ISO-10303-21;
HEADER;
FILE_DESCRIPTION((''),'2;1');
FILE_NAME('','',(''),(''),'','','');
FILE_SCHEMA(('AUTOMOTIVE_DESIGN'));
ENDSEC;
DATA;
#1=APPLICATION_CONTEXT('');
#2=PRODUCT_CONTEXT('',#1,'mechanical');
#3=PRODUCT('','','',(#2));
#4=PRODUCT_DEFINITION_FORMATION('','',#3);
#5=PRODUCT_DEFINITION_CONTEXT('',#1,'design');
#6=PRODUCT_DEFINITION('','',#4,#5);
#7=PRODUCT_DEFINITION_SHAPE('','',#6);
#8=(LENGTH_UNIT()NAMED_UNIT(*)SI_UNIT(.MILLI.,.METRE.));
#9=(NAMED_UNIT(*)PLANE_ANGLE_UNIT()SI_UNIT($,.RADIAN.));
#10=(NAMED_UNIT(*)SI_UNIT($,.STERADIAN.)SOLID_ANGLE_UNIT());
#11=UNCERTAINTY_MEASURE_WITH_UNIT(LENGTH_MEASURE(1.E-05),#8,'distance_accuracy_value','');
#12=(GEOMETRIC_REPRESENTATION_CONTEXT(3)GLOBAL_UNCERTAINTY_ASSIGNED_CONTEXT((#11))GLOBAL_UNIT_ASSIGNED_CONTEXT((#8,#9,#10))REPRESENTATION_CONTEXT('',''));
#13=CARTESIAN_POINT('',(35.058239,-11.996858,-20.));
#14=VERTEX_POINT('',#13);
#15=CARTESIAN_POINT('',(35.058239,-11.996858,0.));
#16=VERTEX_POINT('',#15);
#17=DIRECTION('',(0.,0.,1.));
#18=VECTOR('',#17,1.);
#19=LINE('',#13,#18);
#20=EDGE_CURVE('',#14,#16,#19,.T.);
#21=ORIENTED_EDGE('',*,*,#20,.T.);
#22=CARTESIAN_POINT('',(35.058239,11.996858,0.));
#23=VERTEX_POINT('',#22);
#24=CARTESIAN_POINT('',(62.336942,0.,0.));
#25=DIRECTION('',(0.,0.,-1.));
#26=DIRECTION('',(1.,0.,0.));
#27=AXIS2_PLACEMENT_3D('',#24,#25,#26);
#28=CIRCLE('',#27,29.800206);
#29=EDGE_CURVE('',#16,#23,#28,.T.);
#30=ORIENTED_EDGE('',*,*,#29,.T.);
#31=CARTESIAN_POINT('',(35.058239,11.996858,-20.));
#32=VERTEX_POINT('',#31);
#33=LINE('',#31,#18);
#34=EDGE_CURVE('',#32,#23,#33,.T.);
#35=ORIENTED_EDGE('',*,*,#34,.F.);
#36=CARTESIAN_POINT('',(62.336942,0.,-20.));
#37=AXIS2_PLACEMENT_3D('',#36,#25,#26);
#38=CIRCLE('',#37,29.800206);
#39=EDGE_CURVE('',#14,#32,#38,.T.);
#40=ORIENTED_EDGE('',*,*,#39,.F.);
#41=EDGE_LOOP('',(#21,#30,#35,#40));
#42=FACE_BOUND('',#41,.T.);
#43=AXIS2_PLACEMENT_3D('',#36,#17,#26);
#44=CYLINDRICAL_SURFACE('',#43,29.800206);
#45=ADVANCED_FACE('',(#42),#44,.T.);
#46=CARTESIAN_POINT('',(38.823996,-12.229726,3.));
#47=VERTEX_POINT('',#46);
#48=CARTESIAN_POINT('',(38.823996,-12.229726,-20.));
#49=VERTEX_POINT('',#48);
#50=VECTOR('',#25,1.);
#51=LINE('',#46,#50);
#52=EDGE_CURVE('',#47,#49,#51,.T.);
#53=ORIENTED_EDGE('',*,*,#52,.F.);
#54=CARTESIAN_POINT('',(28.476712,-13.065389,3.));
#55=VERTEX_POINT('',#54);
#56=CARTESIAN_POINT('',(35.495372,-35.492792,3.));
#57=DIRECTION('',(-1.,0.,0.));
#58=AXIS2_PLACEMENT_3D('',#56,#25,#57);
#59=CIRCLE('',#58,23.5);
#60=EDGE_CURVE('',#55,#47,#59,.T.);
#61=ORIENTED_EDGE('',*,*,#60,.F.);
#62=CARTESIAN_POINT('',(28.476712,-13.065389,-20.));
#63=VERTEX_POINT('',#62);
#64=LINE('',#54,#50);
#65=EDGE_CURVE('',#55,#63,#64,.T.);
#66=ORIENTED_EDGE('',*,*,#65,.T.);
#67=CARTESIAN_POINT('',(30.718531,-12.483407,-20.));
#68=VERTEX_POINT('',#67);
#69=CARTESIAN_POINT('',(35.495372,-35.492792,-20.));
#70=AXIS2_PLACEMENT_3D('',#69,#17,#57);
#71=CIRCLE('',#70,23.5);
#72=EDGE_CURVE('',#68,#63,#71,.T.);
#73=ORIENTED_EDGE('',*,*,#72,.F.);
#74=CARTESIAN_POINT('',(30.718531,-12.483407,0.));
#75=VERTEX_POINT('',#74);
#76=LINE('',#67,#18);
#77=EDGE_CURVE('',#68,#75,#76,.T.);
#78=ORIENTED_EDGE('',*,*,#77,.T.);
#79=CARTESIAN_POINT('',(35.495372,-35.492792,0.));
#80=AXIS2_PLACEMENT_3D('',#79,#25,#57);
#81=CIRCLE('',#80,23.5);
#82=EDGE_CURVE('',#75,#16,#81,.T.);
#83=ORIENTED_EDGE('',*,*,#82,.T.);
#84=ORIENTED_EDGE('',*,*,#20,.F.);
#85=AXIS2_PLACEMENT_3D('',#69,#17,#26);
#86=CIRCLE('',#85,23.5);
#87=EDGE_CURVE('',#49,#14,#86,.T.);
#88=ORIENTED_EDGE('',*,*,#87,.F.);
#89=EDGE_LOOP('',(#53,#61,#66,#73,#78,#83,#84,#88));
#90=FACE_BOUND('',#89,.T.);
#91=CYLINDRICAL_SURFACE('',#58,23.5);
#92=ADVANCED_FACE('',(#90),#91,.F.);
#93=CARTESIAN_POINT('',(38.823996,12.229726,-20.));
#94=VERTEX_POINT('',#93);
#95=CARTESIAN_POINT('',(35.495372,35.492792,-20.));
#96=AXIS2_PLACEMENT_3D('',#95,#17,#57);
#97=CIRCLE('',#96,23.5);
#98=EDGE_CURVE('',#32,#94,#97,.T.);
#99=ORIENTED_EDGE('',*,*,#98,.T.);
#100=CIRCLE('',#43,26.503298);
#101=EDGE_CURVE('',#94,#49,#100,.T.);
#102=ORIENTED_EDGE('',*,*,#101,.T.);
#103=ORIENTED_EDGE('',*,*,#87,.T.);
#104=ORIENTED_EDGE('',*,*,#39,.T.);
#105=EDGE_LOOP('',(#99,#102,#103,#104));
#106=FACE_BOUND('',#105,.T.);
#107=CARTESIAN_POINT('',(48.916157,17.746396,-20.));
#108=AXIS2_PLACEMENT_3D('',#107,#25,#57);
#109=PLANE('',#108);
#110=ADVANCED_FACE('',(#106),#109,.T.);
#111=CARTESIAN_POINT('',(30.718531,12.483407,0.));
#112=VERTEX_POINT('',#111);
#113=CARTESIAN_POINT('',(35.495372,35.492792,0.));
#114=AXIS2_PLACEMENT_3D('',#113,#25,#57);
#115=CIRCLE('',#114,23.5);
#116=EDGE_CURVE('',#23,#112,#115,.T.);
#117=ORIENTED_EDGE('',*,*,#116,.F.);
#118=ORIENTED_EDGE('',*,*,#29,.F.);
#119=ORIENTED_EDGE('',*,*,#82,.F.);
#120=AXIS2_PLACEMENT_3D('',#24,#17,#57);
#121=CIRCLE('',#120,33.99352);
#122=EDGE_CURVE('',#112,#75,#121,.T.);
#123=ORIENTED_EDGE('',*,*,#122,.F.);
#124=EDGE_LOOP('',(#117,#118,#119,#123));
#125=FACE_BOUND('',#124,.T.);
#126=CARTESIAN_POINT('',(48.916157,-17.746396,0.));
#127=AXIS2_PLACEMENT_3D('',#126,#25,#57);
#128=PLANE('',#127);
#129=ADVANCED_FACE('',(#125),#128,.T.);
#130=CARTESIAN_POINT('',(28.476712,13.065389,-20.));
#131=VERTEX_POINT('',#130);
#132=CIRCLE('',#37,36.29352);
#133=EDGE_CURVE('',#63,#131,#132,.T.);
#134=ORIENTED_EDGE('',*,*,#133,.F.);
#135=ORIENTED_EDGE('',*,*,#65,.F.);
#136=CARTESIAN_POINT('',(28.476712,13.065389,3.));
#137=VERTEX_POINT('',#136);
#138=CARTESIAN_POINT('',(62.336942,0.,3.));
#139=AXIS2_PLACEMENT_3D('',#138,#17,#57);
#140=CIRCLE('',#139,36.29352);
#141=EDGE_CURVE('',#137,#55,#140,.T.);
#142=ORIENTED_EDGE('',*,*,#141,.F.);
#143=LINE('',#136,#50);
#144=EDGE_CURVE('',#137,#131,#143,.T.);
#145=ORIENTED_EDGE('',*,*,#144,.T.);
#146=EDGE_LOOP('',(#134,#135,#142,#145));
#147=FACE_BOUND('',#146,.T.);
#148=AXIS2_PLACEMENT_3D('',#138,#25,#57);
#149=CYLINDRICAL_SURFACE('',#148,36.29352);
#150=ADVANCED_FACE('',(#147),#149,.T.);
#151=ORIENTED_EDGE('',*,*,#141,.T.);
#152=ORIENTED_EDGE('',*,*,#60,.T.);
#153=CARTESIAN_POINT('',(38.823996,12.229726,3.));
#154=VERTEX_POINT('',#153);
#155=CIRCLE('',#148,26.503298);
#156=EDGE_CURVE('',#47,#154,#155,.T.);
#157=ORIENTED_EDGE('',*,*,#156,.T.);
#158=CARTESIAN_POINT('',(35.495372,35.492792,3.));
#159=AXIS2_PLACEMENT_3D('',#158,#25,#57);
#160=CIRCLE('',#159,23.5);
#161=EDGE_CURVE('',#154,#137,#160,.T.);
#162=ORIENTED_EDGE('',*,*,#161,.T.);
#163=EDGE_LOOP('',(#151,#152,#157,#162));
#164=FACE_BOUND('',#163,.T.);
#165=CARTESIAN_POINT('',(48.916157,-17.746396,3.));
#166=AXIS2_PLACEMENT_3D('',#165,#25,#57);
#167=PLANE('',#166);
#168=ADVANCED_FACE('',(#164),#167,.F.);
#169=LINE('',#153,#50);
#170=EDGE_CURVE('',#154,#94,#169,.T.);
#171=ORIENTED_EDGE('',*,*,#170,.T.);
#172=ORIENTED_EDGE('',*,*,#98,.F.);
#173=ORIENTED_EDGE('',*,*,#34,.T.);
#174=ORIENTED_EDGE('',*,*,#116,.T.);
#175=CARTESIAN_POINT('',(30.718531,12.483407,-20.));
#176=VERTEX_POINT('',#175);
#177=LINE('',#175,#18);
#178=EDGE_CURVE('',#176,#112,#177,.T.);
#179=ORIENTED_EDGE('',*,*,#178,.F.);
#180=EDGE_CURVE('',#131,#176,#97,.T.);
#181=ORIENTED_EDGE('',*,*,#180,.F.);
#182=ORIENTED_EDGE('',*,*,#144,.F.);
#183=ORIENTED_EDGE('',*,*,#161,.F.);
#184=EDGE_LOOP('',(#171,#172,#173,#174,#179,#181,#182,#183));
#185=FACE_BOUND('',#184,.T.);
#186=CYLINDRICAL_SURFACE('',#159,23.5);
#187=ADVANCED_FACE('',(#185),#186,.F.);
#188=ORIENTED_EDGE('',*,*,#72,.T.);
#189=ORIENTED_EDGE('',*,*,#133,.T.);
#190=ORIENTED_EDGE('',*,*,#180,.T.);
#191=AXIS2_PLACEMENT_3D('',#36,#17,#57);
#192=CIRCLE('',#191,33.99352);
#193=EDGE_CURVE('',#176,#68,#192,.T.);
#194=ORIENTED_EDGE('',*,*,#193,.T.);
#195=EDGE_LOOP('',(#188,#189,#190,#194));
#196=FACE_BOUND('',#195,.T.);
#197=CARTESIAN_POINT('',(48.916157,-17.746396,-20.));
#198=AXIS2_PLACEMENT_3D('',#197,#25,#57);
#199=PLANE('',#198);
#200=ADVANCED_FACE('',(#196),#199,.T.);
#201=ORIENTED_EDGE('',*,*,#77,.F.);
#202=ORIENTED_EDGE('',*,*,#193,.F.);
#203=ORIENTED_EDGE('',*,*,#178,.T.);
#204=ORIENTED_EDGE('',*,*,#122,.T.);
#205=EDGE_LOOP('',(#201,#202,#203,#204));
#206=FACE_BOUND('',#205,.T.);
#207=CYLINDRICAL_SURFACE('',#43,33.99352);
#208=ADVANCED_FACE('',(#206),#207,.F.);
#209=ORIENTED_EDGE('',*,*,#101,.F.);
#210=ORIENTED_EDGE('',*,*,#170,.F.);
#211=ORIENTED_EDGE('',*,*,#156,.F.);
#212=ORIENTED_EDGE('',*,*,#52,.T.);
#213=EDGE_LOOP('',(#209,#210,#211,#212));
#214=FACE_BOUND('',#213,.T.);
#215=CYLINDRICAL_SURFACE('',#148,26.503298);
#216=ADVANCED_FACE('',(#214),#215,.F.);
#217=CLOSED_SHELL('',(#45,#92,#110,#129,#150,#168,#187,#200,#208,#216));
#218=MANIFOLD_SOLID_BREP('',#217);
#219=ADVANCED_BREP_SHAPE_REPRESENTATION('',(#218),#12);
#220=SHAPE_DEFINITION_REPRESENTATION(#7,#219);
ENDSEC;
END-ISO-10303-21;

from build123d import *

# Parameters (mm, degrees)
BOSS_EXTRUDE1_DEPTH = 3
BOSS_EXTRUDE2_DEPTH = 20


with BuildPart() as part:
    # Sketch1 → Boss-Extrude1 (new body)
    with BuildSketch(Plane.XY):
        with BuildLine():
            ThreePointArc((28.476711912, -13.065389126), (26.043422294, 0), (28.476711912, 13.065389126))
            ThreePointArc((28.476711912, 13.065389126), (33.603633576, 12.069057908), (38.823996353, 12.229725621))
            ThreePointArc((38.823996353, 12.229725621), (35.833644105, 0), (38.823996353, -12.229725621))
            ThreePointArc((38.823996353, -12.229725621), (33.603633576, -12.069057908), (28.476711912, -13.065389126))
        make_face()
    extrude(amount=BOSS_EXTRUDE1_DEPTH)

    # Sketch2 → Boss-Extrude2 (add)
    with BuildSketch(Plane(origin=(0, 0, 0), x_dir=(-1, 0, 0), z_dir=(0, 0, -1))):
        with BuildLine():
            ThreePointArc((-30.718530844, -12.483407407), (-28.343422286, 0), (-30.718530844, 12.483407407))
            ThreePointArc((-30.718530844, 12.483407407), (-29.5904471, 12.746762635), (-28.476711912, 13.065389126))
            ThreePointArc((-28.476711912, 13.065389126), (-26.043422294, 0), (-28.476711912, -13.065389126))
            ThreePointArc((-28.476711912, -13.065389126), (-29.5904471, -12.746762635), (-30.718530844, -12.483407407))
        make_face()
        with BuildLine():
            ThreePointArc((-38.823996353, 12.229725621), (-35.833644105, 0), (-38.823996353, -12.229725621))
            ThreePointArc((-38.823996353, -12.229725621), (-36.94579852, -12.037595161), (-35.058238797, -11.996858122))
            ThreePointArc((-35.058238797, -11.996858122), (-32.536736444, 0), (-35.058238797, 11.996858122))
            ThreePointArc((-35.058238797, 11.996858122), (-36.94579852, 12.037595161), (-38.823996353, 12.229725621))
        make_face()
    extrude(amount=BOSS_EXTRUDE2_DEPTH)


solid = part.part
